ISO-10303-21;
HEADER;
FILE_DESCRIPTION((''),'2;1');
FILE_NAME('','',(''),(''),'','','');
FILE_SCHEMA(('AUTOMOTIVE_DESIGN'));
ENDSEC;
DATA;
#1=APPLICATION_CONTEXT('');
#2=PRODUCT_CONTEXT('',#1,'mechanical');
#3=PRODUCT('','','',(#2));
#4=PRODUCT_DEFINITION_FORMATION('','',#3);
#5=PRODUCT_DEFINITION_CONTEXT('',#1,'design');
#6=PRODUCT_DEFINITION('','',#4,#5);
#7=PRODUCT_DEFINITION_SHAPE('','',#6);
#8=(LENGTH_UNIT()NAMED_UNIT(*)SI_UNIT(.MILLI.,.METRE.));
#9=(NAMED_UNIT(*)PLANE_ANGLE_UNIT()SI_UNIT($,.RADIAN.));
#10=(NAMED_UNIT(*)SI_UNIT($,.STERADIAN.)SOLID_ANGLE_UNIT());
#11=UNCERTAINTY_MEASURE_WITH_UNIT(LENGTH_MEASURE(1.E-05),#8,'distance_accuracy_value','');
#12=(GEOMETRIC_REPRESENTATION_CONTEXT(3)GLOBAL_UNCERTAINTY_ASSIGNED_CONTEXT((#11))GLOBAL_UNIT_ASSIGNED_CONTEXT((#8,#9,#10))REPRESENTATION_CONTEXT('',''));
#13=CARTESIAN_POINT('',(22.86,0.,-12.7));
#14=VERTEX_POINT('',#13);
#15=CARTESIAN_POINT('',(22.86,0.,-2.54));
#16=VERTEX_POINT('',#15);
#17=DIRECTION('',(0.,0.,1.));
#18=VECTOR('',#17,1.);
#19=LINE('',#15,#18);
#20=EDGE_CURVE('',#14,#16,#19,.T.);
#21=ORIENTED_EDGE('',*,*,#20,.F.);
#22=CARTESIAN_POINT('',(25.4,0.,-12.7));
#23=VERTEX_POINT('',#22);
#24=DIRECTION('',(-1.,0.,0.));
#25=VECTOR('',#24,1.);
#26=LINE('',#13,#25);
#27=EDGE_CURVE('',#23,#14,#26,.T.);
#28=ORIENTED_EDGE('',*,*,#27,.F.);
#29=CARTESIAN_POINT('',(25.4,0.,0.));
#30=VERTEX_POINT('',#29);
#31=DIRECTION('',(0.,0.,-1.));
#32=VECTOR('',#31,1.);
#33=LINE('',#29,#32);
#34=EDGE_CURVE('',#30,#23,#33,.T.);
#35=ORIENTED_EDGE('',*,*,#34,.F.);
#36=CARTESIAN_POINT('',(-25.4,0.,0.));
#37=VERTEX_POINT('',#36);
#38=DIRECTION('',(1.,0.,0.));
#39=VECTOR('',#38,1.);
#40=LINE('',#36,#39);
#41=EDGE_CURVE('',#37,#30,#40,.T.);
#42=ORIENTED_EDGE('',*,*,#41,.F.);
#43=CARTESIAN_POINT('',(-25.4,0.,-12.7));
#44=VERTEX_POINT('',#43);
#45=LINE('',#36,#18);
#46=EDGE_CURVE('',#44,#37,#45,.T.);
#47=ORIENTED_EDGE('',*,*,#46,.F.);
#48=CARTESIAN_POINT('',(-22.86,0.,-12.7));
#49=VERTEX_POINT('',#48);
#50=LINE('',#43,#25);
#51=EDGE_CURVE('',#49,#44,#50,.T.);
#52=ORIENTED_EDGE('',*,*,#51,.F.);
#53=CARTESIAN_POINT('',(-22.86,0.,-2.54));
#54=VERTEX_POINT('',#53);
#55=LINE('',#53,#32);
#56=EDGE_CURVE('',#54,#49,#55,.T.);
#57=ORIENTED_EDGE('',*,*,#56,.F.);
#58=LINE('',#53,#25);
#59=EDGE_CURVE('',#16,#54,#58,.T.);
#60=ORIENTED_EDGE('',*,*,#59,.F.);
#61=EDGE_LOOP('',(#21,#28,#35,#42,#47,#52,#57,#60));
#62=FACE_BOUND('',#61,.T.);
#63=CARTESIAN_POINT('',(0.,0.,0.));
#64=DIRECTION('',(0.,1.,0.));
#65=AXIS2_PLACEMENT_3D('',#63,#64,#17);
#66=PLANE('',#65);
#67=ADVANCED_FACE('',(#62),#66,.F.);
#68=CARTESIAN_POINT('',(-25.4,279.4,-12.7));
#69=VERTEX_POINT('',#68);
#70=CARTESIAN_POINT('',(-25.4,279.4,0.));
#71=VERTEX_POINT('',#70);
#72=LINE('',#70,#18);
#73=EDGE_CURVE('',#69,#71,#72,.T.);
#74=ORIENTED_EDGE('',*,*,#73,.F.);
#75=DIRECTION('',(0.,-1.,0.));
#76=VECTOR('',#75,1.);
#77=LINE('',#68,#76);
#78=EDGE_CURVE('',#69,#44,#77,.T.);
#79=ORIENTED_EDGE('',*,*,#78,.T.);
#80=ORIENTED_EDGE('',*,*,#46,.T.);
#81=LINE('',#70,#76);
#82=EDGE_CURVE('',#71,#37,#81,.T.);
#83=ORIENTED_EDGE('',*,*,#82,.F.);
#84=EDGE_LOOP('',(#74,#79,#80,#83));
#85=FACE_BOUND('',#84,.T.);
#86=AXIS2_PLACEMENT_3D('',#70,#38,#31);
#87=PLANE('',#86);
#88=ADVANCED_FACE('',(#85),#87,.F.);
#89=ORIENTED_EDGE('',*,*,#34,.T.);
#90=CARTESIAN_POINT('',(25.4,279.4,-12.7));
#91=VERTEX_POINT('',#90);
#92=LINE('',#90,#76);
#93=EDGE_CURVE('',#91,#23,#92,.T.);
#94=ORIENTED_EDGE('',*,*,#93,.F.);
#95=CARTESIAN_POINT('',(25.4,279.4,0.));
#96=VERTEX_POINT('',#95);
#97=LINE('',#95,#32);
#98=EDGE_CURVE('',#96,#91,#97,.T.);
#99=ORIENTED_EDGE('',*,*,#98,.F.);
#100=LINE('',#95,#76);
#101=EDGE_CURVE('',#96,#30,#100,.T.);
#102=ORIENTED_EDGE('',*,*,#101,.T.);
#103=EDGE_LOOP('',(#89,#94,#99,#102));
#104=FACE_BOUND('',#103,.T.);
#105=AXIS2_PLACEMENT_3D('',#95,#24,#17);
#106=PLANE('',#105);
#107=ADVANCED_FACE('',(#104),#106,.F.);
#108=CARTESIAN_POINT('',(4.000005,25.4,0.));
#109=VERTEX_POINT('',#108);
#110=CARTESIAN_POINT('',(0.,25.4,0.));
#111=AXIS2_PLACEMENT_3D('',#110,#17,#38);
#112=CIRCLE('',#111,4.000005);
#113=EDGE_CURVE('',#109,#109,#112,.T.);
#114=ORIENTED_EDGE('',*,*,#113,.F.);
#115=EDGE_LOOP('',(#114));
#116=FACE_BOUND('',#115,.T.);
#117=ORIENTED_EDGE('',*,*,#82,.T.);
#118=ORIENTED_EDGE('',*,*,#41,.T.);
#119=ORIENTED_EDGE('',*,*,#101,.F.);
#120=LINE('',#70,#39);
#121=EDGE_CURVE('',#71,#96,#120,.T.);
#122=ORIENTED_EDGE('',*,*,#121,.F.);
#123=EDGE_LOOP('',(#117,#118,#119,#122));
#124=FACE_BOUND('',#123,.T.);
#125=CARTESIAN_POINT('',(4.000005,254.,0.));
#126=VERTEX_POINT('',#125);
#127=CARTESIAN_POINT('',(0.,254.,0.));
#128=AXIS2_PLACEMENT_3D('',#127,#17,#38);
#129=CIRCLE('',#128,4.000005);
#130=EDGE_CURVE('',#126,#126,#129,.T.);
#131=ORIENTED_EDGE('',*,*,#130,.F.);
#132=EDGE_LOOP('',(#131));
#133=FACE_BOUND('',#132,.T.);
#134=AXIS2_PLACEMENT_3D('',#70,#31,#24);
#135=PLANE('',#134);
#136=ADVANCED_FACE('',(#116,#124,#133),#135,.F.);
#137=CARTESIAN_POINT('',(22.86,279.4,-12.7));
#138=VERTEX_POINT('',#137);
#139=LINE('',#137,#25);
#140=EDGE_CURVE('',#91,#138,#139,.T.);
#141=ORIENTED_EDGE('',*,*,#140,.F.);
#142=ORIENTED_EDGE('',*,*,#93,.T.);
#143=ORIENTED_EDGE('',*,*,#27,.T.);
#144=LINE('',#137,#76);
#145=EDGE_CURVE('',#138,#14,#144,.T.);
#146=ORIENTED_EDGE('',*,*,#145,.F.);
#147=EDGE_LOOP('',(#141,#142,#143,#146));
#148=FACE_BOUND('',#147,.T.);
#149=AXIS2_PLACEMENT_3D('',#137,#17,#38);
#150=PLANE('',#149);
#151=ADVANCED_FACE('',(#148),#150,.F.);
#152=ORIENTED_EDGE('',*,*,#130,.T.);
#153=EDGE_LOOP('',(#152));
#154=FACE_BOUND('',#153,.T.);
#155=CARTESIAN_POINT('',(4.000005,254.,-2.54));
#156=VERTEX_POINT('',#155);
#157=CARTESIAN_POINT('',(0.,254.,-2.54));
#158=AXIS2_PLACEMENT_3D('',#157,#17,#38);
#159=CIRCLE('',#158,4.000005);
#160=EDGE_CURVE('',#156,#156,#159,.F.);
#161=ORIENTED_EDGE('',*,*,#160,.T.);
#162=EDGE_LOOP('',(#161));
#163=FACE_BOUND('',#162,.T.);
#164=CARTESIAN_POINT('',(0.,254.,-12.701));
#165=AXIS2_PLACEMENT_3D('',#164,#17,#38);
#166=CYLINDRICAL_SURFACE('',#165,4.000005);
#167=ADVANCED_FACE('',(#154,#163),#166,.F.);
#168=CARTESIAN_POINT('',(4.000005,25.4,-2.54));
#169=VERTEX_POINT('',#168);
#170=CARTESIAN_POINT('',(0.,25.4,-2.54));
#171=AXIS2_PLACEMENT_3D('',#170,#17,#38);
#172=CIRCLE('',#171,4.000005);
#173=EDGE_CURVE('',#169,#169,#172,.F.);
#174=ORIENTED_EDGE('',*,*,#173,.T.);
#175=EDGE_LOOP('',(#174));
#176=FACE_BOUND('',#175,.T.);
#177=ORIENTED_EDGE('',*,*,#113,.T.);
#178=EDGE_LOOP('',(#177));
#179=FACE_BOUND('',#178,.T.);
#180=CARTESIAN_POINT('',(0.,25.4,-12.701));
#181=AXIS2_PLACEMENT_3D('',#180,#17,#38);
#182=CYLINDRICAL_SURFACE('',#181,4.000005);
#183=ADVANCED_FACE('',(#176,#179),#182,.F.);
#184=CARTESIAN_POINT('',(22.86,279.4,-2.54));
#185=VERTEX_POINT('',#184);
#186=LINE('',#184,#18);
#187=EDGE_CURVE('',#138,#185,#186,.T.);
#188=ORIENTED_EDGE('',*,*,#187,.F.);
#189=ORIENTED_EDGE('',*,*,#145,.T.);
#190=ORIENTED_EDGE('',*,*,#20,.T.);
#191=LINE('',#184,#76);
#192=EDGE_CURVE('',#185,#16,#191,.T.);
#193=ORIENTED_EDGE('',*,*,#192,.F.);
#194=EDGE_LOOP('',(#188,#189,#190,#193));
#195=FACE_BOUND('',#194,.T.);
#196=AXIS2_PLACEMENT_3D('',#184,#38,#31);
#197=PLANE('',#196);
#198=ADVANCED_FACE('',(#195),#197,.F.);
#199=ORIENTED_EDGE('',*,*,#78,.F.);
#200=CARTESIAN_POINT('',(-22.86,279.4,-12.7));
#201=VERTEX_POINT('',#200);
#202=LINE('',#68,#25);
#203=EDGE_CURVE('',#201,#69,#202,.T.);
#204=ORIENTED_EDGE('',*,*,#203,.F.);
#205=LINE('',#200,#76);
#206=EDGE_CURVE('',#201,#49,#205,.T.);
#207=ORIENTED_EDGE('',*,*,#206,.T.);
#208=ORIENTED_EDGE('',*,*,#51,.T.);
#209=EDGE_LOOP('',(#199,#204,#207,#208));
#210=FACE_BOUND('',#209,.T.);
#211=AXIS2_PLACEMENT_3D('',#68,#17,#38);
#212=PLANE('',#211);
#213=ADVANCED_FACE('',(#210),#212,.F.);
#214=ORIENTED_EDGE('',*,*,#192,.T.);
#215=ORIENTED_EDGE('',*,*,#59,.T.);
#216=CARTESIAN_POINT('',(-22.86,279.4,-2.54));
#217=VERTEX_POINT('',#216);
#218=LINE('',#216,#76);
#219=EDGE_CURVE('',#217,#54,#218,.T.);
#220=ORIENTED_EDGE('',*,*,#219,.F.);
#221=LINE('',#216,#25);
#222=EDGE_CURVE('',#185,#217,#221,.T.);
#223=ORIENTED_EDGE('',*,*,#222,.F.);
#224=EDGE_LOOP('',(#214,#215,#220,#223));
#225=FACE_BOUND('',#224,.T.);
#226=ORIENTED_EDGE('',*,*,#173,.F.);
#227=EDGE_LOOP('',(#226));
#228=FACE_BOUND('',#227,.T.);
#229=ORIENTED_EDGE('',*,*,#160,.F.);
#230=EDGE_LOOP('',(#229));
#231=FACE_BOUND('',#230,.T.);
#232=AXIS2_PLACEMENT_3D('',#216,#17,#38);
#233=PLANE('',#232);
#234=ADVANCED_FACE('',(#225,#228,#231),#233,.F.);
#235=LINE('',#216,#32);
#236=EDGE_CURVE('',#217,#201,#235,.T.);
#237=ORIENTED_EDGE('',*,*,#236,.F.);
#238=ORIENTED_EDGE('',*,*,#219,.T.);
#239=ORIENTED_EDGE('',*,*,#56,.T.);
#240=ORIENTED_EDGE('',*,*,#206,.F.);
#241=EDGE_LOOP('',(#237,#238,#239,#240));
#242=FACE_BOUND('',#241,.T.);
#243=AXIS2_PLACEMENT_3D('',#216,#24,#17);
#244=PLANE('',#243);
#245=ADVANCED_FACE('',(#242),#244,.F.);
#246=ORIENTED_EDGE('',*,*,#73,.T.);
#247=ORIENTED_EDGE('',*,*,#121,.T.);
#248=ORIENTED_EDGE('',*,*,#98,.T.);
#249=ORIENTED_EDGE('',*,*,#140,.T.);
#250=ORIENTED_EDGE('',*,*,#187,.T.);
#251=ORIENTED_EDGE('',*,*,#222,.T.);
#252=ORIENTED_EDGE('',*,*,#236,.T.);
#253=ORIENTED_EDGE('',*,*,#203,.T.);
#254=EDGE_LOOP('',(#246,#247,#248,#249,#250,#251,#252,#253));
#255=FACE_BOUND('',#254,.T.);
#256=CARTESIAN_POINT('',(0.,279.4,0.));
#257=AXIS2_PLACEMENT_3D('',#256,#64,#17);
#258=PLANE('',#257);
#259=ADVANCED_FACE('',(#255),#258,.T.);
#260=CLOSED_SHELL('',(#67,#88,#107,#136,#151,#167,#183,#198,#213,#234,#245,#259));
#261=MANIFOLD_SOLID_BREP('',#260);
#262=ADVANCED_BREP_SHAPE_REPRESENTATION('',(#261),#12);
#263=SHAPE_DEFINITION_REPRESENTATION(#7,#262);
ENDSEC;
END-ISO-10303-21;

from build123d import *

# Parameters (mm, degrees)
BOSS_EXTRUDE1_DEPTH = 279.4
CUT_EXTRUDE1_REACH  = 282.839
SKETCH2_R           = 4.0000047


with BuildPart() as part:
    # Sketch1 → Boss-Extrude1 (new body)
    with BuildSketch(Plane(origin=(0, 0, 0), x_dir=(1, 0, 0), z_dir=(0, 1, 0))):
        Polygon((-22.86, 2.54), (-22.86, 12.7), (-25.4, 12.7), (-25.4, 0), (25.4, 0), (25.4, 12.7), (22.86, 12.7), (22.86, 2.54), align=None)
    extrude(amount=BOSS_EXTRUDE1_DEPTH)

    # Sketch2 → Cut-Extrude1 (cut, up to next)
    with BuildSketch(Plane.XY, mode=Mode.PRIVATE) as cut_extrude1_sk1:
        with Locations((0, 25.4)):
            Circle(SKETCH2_R)
    cut_extrude1_tool1 = extrude(cut_extrude1_sk1.sketch, amount=-CUT_EXTRUDE1_REACH, mode=Mode.PRIVATE) & part.part
    # Sketch2 → Cut-Extrude1 (cut, up to next)
    with BuildSketch(Plane.XY, mode=Mode.PRIVATE) as cut_extrude1_sk2:
        with Locations((0, 254)):
            Circle(SKETCH2_R)
    cut_extrude1_tool2 = extrude(cut_extrude1_sk2.sketch, amount=-CUT_EXTRUDE1_REACH, mode=Mode.PRIVATE) & part.part
    add(cut_extrude1_tool1.solids().sort_by_distance((0, 25.4, 0))[0], mode=Mode.SUBTRACT)
    add(cut_extrude1_tool2.solids().sort_by_distance((0, 254, 0))[0], mode=Mode.SUBTRACT)


solid = part.part
